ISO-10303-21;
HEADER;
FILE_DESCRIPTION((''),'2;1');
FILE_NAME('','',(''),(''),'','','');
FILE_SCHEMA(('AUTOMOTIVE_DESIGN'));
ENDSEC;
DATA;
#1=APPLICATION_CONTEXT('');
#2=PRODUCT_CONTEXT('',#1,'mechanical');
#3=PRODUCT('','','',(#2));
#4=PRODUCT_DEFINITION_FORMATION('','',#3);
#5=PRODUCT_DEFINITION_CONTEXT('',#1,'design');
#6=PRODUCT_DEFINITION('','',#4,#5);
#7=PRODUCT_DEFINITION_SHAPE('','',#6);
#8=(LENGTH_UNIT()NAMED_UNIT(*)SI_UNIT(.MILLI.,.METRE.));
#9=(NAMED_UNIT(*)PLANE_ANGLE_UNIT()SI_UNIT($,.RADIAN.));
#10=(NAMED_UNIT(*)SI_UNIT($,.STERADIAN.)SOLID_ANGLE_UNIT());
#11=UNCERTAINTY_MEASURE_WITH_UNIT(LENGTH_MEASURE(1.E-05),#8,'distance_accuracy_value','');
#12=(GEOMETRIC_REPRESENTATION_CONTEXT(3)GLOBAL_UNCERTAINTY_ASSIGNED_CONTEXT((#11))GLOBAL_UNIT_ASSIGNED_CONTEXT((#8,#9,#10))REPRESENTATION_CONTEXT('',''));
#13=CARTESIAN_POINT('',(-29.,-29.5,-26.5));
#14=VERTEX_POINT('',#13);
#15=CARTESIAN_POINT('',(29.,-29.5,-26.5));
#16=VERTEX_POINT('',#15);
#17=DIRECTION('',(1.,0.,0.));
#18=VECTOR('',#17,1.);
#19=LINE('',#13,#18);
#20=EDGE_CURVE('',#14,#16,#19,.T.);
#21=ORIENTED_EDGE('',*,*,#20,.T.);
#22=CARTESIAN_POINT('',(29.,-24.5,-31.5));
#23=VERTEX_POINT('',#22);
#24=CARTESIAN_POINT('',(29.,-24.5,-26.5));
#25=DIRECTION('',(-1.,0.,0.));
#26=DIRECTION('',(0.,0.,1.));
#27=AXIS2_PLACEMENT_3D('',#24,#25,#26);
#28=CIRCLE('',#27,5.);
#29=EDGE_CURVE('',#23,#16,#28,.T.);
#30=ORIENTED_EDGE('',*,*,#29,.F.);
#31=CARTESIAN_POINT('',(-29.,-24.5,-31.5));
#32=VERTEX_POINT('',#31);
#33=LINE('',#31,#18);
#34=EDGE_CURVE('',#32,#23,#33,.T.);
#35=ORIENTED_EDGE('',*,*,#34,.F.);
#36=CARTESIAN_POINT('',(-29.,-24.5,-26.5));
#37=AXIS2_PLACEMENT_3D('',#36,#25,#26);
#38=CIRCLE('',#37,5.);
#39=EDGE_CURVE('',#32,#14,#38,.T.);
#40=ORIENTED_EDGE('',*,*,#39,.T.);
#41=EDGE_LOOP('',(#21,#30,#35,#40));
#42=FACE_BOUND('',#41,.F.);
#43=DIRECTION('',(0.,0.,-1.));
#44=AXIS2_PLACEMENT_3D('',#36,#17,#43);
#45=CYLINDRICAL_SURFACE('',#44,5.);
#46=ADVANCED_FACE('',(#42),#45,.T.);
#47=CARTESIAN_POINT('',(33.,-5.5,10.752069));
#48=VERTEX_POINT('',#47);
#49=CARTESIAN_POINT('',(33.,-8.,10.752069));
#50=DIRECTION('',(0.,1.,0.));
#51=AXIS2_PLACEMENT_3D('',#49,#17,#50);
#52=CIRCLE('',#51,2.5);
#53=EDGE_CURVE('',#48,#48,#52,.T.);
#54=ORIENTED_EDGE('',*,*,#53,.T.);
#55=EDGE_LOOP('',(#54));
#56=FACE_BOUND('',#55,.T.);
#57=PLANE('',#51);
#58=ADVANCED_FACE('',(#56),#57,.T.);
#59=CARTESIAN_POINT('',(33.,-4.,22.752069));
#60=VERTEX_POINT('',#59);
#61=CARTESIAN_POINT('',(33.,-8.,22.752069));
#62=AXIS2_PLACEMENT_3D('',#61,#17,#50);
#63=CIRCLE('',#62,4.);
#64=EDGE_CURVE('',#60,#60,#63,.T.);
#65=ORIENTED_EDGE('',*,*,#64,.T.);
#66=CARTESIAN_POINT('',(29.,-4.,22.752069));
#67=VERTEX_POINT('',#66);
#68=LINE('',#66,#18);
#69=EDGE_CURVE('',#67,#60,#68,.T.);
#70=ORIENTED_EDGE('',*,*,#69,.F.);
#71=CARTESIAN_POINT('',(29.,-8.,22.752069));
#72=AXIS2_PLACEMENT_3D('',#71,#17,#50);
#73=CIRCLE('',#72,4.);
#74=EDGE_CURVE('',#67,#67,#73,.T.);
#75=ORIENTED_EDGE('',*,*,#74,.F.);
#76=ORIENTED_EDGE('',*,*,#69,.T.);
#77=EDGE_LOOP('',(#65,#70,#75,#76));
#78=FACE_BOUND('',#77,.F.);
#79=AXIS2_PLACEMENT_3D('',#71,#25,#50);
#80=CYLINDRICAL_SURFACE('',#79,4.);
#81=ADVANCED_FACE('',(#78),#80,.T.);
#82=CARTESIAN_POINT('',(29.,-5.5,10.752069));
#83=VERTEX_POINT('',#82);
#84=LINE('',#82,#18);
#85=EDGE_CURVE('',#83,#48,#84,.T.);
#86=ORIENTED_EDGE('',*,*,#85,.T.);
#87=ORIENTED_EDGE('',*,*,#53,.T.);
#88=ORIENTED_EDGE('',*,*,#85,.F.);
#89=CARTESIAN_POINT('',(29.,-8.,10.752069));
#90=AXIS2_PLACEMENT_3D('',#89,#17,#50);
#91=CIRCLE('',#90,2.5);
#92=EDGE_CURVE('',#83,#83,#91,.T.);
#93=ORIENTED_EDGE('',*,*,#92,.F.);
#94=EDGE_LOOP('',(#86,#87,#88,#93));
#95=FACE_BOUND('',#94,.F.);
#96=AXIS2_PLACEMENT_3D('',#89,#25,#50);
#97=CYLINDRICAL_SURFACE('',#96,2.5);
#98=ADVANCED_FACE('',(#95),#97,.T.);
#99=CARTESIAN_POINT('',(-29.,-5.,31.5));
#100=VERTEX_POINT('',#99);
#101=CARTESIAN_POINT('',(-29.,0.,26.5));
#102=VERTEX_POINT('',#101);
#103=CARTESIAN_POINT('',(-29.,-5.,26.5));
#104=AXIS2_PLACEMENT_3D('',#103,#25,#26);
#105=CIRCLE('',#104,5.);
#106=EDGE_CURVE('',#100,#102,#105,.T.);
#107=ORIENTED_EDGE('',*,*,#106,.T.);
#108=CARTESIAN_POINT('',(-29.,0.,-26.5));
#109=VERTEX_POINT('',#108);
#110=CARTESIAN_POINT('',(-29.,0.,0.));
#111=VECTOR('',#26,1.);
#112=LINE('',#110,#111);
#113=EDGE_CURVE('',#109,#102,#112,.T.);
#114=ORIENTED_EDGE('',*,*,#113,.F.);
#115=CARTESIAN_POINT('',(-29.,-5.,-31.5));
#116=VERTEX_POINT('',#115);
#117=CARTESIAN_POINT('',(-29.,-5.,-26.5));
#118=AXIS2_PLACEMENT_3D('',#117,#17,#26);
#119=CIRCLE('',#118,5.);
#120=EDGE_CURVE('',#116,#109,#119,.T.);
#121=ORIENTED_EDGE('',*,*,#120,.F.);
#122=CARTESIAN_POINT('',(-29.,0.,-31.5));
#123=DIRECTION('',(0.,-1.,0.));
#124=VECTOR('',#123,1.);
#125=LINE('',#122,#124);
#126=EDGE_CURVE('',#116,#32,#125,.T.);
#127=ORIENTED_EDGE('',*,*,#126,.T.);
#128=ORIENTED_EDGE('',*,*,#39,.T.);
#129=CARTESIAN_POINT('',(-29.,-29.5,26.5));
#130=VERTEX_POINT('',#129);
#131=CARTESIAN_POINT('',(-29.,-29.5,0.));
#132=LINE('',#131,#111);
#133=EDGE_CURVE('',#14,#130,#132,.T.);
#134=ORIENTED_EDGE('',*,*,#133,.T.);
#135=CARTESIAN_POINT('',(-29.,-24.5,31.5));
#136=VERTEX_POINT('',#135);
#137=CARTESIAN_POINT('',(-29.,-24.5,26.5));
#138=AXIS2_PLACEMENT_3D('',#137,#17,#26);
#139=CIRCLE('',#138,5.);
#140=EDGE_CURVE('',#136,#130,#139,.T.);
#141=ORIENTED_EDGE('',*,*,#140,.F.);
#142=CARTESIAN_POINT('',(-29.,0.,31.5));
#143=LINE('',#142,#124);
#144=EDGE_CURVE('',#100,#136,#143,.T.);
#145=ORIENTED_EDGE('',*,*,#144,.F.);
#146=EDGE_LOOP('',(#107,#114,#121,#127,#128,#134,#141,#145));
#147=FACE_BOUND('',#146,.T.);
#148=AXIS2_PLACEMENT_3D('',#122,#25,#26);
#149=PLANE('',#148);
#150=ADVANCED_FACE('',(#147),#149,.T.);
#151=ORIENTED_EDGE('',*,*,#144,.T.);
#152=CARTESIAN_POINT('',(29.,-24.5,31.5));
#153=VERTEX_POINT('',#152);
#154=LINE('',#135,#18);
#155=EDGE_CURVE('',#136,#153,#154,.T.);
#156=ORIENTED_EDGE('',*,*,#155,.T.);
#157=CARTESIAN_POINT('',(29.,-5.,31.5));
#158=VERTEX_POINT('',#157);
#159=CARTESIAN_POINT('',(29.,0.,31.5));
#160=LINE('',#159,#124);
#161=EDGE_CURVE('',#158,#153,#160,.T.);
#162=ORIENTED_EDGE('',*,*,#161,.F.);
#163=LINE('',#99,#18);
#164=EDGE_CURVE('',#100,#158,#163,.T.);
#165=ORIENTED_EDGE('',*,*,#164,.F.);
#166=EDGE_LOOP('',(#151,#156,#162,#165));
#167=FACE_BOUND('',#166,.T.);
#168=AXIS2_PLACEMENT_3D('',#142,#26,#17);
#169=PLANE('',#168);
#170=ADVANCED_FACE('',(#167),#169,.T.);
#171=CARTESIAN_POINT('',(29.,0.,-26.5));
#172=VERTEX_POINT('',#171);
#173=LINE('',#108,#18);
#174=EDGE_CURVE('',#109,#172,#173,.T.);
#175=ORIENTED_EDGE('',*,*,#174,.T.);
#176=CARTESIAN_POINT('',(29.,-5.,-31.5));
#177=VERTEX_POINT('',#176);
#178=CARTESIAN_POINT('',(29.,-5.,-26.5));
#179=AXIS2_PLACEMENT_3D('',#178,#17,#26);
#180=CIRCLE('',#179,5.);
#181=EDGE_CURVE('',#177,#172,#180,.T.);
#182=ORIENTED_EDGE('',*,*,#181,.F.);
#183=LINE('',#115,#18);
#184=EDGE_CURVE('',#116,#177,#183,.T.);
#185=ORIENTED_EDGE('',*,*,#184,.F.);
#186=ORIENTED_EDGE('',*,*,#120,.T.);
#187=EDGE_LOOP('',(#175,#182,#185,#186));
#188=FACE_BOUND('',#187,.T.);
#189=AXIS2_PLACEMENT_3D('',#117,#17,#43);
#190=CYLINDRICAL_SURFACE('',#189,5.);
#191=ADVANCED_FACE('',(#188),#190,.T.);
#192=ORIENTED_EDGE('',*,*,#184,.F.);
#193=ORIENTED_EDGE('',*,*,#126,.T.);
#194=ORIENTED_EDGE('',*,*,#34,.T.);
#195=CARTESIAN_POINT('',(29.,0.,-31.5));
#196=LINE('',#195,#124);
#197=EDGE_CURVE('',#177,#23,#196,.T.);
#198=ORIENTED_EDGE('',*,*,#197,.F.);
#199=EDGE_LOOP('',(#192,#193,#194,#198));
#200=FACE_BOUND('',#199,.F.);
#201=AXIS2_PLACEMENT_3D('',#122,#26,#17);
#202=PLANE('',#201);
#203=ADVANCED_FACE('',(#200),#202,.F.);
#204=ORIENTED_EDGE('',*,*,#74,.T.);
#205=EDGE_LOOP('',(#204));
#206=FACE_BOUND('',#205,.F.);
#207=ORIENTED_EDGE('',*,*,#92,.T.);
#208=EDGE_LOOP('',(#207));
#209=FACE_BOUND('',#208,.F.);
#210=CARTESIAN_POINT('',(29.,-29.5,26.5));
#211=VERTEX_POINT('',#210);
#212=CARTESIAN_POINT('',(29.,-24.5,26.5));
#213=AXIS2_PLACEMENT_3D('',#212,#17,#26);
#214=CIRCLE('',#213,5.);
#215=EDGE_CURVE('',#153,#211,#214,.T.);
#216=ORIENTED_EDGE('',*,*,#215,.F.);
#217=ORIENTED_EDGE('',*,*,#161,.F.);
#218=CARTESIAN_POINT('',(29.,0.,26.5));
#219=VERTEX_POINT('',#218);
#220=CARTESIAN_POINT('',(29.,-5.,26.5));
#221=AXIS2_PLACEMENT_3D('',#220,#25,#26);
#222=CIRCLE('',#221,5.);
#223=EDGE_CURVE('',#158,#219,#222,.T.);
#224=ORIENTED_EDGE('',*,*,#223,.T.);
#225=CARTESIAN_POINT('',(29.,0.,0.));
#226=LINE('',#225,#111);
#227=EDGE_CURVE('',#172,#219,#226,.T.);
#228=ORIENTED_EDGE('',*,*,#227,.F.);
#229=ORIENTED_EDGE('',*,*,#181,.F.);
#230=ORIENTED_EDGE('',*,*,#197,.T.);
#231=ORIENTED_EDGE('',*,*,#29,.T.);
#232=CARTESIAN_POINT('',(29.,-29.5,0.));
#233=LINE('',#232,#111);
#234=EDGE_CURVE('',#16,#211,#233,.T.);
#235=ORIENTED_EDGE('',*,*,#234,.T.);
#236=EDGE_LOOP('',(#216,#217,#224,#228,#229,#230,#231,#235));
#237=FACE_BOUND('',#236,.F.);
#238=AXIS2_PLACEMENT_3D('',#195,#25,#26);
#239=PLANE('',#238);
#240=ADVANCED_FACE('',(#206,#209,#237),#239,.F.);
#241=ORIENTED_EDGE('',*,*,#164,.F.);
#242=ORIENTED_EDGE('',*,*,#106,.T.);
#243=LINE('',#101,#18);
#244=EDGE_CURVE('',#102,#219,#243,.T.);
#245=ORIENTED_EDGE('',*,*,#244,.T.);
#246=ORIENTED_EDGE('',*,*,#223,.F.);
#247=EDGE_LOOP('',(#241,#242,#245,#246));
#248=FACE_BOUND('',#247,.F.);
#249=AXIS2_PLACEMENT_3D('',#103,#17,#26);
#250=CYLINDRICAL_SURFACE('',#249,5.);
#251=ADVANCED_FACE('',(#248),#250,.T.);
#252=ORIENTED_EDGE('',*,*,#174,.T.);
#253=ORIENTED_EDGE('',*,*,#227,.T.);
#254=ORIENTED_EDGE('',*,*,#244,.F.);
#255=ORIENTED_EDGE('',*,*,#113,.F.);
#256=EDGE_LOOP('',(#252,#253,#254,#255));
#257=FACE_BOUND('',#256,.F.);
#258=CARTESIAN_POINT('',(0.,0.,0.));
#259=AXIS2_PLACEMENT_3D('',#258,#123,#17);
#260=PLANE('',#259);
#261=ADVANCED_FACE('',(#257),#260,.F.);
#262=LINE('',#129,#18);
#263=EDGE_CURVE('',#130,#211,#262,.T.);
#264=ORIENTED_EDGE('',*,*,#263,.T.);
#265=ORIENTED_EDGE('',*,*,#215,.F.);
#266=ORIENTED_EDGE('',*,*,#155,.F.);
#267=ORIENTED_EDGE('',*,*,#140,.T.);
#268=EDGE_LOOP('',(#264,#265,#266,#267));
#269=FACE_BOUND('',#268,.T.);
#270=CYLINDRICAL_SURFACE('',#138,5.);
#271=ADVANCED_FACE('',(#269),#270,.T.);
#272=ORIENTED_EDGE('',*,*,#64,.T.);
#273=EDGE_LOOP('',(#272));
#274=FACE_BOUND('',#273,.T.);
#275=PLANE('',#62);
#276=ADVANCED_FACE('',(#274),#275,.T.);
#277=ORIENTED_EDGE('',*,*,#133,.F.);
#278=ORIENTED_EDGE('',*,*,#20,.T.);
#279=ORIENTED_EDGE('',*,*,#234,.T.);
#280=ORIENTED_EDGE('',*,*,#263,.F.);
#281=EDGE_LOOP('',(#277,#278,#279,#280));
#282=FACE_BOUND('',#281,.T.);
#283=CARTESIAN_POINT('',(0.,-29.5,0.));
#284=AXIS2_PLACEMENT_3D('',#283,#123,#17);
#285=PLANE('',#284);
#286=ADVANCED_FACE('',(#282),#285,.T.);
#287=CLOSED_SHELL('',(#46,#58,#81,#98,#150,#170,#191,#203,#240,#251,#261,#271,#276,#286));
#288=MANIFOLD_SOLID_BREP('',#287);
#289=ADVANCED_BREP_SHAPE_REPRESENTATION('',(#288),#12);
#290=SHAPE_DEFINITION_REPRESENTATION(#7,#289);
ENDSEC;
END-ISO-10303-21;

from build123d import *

# Parameters (mm, degrees)
F0_W     = 58
F0_H     = 63
F1_DEPTH = 29.5
F2_R     = 5
F3_R     = 4
F3_R_2   = 2.5
F4_DEPTH = 4


with BuildPart() as f1:
    # F0 (on Front) → F1 (new body)
    with BuildSketch(Plane.XZ):
        Rectangle(F0_W, F0_H)
    extrude(amount=F1_DEPTH)

    # F2
    f2_edges = [f1.edges().sort_by_distance(p)[0] for p in [
        (0, 0, 31.5),
        (0, 0, -31.5),
        (0, -29.5, -31.5),
        (0, -29.5, 31.5),
    ]]
    fillet(f2_edges, radius=F2_R)

    # F3 (on face) → F4 (join)
    with BuildSketch(Plane.YZ.offset(29)):
        with Locations((-8, 22.752069)):
            Circle(F3_R)
        with Locations((-8, 10.752069)):
            Circle(F3_R_2)
    extrude(amount=F4_DEPTH)


solid = f1.part
